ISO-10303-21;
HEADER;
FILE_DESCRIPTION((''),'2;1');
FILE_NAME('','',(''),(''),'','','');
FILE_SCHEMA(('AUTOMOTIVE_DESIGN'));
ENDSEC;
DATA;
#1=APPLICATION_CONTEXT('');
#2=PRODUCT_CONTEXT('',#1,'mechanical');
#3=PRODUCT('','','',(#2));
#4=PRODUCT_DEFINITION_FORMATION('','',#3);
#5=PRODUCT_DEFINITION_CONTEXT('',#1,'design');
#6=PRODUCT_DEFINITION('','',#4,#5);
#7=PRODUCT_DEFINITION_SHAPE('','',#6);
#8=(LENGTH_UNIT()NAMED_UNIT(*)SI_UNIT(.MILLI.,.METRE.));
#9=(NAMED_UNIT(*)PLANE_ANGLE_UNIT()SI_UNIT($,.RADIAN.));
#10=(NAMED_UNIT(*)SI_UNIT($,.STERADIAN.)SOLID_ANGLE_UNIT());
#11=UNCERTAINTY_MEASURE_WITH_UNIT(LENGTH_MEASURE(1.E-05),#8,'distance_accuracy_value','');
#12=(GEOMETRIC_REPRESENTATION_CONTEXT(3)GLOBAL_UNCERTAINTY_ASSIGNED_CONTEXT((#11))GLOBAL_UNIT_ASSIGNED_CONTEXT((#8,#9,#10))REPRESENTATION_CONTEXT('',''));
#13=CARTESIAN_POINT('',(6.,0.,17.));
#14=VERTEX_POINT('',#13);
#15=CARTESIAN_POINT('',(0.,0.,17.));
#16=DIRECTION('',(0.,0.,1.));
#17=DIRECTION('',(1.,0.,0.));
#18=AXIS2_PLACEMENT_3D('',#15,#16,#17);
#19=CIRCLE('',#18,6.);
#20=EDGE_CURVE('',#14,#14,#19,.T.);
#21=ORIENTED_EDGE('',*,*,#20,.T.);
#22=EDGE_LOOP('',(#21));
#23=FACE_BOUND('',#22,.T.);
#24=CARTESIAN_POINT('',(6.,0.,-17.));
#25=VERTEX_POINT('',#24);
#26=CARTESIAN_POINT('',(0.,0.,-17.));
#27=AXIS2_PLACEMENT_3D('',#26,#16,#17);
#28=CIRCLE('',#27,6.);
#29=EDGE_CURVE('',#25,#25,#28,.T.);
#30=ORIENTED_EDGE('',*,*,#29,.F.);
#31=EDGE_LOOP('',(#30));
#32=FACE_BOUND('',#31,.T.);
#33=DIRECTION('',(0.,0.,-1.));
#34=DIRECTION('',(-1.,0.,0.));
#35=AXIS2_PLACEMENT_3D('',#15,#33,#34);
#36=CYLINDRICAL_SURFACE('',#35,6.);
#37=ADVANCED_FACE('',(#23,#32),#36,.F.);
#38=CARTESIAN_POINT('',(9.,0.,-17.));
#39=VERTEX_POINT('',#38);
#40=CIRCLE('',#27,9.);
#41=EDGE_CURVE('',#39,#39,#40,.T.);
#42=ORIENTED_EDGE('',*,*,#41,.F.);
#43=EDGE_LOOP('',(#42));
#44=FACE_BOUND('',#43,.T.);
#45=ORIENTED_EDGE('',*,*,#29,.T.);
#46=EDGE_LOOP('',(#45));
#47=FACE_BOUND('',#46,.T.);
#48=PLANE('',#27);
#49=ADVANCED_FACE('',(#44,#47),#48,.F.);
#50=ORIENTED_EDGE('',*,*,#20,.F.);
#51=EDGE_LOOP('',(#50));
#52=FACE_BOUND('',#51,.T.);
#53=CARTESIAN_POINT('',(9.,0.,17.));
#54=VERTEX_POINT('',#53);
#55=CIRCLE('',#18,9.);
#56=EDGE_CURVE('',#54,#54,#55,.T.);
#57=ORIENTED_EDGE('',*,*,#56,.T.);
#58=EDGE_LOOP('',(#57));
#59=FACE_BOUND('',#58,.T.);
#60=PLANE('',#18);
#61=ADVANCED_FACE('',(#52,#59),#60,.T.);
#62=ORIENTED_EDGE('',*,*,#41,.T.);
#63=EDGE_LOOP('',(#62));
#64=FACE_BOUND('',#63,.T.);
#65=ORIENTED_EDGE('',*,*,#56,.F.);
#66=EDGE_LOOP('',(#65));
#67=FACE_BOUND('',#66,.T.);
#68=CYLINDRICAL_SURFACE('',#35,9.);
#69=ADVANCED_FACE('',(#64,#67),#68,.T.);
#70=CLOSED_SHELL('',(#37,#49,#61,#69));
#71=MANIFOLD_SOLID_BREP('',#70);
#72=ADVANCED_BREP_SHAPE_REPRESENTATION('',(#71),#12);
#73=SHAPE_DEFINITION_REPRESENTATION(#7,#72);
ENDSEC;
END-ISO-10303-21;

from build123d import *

# Parameters (mm, degrees)
SKETCH1_R           = 9
SKETCH1_R_2         = 6
BOSS_EXTRUDE1_DEPTH = 17


with BuildPart() as part:
    # Sketch1 → Boss-Extrude1 (new, symmetric)
    with BuildSketch(Plane.XY):
        Circle(SKETCH1_R)
        Circle(SKETCH1_R_2, mode=Mode.SUBTRACT)
    extrude(amount=BOSS_EXTRUDE1_DEPTH, both=True)


solid = part.part
